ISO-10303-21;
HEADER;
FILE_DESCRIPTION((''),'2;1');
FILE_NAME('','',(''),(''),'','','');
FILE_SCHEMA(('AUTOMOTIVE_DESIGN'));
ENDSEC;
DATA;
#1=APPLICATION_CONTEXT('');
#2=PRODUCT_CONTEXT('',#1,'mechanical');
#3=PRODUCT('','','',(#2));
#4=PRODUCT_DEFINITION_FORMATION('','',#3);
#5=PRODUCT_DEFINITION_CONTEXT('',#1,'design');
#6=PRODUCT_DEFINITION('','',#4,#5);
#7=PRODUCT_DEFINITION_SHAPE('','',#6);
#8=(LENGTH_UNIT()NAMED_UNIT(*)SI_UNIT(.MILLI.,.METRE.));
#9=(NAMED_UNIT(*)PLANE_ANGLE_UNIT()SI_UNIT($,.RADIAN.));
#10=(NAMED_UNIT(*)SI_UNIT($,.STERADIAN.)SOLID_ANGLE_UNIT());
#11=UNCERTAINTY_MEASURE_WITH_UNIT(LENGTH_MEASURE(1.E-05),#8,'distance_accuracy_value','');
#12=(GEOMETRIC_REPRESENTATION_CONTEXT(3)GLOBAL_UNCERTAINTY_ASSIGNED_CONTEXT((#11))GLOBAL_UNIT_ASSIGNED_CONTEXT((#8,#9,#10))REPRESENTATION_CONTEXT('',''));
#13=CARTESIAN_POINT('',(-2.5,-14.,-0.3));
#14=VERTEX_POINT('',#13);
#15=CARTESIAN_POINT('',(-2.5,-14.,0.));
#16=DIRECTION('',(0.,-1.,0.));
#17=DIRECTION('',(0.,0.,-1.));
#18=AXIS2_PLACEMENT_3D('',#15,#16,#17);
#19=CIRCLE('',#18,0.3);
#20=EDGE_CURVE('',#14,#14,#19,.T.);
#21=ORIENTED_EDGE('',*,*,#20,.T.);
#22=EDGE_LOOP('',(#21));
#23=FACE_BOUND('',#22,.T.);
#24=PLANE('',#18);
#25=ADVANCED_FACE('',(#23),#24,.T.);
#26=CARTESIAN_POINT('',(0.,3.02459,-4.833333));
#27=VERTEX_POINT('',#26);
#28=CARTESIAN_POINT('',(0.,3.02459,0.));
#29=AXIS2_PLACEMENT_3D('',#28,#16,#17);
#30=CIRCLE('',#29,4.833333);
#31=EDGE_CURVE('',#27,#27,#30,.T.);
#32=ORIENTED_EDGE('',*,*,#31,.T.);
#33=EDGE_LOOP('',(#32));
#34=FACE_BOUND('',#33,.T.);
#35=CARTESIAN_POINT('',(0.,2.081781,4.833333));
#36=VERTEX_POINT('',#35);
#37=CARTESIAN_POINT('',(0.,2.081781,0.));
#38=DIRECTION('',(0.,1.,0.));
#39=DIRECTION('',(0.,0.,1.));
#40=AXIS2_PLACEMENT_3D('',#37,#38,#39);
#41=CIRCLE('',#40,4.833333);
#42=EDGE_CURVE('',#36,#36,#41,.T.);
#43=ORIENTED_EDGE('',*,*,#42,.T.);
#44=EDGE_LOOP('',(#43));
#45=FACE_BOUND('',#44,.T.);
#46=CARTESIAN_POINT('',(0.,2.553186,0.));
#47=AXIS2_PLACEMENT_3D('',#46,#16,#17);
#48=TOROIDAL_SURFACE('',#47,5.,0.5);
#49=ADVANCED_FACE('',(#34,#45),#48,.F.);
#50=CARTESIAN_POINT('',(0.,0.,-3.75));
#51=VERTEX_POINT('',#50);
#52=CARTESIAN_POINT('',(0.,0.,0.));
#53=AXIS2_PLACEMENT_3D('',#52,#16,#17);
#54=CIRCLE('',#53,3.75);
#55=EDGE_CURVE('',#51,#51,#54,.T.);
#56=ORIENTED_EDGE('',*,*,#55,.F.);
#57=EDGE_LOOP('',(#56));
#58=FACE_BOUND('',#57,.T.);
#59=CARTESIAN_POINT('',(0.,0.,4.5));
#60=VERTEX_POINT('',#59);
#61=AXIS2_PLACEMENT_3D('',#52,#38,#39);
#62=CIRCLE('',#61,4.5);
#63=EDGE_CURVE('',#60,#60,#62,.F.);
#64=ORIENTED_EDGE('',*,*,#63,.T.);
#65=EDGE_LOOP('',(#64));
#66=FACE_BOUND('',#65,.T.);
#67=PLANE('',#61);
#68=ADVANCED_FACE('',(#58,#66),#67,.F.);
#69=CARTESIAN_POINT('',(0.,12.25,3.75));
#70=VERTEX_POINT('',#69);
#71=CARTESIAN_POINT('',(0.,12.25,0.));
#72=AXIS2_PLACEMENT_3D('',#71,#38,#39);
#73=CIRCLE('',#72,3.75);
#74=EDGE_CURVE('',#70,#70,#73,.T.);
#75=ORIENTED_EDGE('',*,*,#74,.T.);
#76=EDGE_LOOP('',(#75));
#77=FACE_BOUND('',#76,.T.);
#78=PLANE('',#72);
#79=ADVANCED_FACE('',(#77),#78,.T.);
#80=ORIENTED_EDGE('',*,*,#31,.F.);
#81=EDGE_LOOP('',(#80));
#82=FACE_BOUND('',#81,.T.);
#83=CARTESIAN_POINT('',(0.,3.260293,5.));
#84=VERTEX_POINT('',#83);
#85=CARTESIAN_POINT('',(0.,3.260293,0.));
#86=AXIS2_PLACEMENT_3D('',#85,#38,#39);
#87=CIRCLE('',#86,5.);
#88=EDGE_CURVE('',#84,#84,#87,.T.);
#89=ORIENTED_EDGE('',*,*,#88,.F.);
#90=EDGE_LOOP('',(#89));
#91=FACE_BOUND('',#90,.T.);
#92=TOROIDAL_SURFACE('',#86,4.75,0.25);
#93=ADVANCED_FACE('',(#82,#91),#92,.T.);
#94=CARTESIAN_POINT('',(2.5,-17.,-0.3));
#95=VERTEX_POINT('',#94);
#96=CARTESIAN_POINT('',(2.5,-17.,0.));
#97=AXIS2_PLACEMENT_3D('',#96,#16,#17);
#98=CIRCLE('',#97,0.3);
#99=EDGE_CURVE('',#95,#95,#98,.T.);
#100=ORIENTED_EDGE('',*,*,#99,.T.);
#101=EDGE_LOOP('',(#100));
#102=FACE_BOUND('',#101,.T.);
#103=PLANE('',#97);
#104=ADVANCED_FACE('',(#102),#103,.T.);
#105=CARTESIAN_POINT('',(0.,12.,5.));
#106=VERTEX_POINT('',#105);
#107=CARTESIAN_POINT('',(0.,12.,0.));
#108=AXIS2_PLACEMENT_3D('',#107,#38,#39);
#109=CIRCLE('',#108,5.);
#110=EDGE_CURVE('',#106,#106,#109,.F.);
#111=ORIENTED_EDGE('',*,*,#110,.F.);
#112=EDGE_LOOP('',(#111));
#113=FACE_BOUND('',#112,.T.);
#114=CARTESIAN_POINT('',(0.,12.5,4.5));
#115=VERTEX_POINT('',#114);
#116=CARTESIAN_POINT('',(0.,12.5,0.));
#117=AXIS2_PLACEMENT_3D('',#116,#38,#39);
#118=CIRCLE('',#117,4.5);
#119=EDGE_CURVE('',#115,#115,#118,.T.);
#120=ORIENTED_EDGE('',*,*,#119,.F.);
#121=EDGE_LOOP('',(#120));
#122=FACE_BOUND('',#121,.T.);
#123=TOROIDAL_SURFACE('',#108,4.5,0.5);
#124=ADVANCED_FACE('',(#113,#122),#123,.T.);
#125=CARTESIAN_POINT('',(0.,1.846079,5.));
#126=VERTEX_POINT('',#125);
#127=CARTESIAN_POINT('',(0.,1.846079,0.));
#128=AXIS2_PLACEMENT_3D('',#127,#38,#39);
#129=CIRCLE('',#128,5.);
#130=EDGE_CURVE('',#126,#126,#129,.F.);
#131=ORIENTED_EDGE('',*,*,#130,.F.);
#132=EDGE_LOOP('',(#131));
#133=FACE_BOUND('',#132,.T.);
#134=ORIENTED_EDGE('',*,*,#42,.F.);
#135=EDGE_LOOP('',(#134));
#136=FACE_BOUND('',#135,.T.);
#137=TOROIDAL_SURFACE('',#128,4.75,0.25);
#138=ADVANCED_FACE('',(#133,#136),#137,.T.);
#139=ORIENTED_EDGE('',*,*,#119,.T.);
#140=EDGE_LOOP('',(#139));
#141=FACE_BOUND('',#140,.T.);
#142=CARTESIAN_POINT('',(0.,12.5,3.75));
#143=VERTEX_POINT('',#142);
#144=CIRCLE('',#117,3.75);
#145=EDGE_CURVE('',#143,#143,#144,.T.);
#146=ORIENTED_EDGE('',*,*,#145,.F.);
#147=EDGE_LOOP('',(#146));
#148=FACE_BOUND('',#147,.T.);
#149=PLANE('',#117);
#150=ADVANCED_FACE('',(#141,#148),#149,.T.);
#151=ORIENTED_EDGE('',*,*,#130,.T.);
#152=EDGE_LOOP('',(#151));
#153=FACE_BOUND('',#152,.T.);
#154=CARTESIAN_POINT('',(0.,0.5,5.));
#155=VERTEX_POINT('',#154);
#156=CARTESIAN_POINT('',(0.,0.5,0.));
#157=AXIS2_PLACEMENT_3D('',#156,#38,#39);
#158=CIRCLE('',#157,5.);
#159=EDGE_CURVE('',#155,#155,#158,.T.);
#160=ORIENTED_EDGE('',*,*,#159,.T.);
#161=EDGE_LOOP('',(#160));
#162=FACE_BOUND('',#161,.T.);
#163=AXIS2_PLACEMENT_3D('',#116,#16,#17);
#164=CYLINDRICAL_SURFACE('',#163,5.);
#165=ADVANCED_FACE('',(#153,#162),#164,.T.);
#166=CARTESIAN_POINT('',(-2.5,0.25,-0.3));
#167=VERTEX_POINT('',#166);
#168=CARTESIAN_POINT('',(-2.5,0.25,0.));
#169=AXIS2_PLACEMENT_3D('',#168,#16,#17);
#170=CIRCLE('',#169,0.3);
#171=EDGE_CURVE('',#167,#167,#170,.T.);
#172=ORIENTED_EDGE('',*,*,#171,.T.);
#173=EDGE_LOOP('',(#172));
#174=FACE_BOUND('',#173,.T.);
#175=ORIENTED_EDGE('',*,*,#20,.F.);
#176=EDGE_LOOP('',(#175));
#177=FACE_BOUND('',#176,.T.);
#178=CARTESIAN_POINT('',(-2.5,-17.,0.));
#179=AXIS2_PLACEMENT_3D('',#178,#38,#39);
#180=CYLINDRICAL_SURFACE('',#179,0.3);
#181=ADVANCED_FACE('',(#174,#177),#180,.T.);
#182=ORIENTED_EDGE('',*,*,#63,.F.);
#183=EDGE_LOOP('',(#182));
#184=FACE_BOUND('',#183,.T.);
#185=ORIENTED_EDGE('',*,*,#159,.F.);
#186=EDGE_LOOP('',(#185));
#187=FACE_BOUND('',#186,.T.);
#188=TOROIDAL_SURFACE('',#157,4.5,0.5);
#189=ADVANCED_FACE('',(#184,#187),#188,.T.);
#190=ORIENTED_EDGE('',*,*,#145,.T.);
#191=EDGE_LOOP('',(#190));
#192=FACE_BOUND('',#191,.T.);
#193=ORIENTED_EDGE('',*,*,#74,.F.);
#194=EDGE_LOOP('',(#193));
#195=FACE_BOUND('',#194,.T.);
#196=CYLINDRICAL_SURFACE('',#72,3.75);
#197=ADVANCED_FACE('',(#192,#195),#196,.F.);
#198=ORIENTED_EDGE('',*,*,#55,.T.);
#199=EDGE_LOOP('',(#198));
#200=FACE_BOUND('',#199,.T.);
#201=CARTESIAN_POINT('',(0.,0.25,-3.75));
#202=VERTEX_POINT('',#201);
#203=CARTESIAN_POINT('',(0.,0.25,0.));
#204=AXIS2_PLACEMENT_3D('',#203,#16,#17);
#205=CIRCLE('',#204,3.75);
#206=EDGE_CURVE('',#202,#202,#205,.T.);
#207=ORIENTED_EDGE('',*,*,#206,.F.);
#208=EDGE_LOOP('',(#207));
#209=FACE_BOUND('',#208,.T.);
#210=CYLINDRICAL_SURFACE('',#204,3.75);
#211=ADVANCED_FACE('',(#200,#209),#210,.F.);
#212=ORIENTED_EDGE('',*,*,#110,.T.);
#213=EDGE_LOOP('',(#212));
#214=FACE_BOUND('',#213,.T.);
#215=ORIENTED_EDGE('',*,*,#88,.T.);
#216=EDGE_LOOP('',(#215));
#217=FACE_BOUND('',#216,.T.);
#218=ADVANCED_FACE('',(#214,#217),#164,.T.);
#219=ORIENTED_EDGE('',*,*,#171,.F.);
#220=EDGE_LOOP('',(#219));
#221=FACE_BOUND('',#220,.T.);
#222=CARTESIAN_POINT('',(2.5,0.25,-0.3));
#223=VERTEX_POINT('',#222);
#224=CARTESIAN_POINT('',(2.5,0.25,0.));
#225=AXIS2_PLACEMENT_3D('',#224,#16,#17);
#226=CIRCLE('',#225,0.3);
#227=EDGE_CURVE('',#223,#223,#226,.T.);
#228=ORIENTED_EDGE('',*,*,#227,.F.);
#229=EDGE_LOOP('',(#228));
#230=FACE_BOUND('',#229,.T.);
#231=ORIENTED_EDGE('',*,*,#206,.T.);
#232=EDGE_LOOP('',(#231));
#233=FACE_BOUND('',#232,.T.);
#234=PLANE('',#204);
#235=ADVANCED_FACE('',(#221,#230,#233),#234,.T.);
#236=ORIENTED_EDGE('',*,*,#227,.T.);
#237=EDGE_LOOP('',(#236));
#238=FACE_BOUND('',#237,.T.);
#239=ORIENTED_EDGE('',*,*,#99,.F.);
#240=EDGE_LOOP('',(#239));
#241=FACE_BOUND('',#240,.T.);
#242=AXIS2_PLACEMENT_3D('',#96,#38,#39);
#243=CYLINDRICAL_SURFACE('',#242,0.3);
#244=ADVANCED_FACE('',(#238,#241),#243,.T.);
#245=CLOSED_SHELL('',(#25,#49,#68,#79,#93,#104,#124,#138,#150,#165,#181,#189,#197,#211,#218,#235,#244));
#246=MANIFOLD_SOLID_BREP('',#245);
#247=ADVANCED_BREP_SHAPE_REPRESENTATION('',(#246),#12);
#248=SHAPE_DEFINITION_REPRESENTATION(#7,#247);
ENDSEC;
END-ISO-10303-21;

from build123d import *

# Parameters (mm, degrees)
SKETCH1_R           = 5
BASE_EXTRUDE_DEPTH  = 12.5
FILLET1_R           = 0.5
FILLET2_R           = 0.25
SKETCH4_R           = 3.75
CUT_EXTRUDE1_DEPTH  = 0.25
SKETCH3_R           = 0.3
BOSS_EXTRUDE1_DEPTH = 17.25
SKETCH5_R           = 0.3
CUT_EXTRUDE2_DEPTH  = 3
SKETCH6_R           = 3.75
CUT_EXTRUDE3_DEPTH  = 0.25


with BuildPart() as part:
    # Sketch1 → Base-Extrude (new body)
    with BuildSketch(Plane(origin=(0, 0, 0), x_dir=(1, 0, 0), z_dir=(0, 1, 0))):
        with Locations(Location((0, 0, 0), (0, 0, 270))):  # turned: the seam where the file's is
            Circle(SKETCH1_R)
    extrude(amount=BASE_EXTRUDE_DEPTH)

    # Sketch2 → Cut-Revolve1 (revolve, cut)
    with BuildSketch(Plane(origin=(0, 0, 0), x_dir=(0, 0, -1), z_dir=(1, 0, 0)), mode=Mode.PRIVATE) as cut_revolve1_sk:
        with BuildLine():
            Line((-5, 3.053185949), (-5, 2.053185949))
            ThreePointArc((-5, 2.053185949), (-4.5, 2.553185949), (-5, 3.053185949))
        make_face()
    revolve(cut_revolve1_sk.sketch.rotate(Axis((0, 0, 0), (0, 1, 0)), 180), axis=Axis((0, 0, 0), (0, 1, 0)), mode=Mode.SUBTRACT)  # turned: the seam where the file's is

    # Fillet1
    fillet1_edges = [part.edges().sort_by_distance(p)[0] for p in [
        (0, 0, -5),
        (0, 12.5, -5),
    ]]
    fillet(fillet1_edges, radius=FILLET1_R)

    # Fillet2
    fillet2_edges = [part.edges().sort_by_distance(p)[0] for p in [
        (-5, 2.053185949, 0),
        (-5, 3.053185949, 0),
    ]]
    fillet(fillet2_edges, radius=FILLET2_R)

    # Sketch4 → Cut-Extrude1 (cut)
    with BuildSketch(Plane.XZ):
        with Locations(Location((0, 0, 0), (0, 0, 270))):  # turned: the seam where the file's is
            Circle(SKETCH4_R)
    extrude(amount=-CUT_EXTRUDE1_DEPTH, mode=Mode.SUBTRACT)

    # Sketch3 → Boss-Extrude1 (add)
    with BuildSketch(Plane.XZ.offset(-0.25)):
        with Locations(Location((-2.5, 0, 0), (0, 0, 270))):  # turned: the seam where the file's is
            Circle(SKETCH3_R)
        with Locations(Location((2.5, 0, 0), (0, 0, 270))):  # turned: the seam where the file's is
            Circle(SKETCH3_R)
    extrude(amount=BOSS_EXTRUDE1_DEPTH)

    # Sketch5 → Cut-Extrude2 (cut)
    with BuildSketch(Plane.XZ.offset(17)):
        with Locations(Location((-2.5, 0, 0), (0, 0, 270))):  # turned: the seam where the file's is
            Circle(SKETCH5_R)
    extrude(amount=-CUT_EXTRUDE2_DEPTH, mode=Mode.SUBTRACT)

    # Sketch6 → Cut-Extrude3 (cut)
    with BuildSketch(Plane(origin=(0, 12.5, 0), x_dir=(-1, 0, 0), z_dir=(0, 1, 0))):
        with Locations(Location((0, 0, 0), (0, 0, 270))):  # turned: the seam where the file's is
            Circle(SKETCH6_R)
    extrude(amount=-CUT_EXTRUDE3_DEPTH, mode=Mode.SUBTRACT)


solid = part.part
